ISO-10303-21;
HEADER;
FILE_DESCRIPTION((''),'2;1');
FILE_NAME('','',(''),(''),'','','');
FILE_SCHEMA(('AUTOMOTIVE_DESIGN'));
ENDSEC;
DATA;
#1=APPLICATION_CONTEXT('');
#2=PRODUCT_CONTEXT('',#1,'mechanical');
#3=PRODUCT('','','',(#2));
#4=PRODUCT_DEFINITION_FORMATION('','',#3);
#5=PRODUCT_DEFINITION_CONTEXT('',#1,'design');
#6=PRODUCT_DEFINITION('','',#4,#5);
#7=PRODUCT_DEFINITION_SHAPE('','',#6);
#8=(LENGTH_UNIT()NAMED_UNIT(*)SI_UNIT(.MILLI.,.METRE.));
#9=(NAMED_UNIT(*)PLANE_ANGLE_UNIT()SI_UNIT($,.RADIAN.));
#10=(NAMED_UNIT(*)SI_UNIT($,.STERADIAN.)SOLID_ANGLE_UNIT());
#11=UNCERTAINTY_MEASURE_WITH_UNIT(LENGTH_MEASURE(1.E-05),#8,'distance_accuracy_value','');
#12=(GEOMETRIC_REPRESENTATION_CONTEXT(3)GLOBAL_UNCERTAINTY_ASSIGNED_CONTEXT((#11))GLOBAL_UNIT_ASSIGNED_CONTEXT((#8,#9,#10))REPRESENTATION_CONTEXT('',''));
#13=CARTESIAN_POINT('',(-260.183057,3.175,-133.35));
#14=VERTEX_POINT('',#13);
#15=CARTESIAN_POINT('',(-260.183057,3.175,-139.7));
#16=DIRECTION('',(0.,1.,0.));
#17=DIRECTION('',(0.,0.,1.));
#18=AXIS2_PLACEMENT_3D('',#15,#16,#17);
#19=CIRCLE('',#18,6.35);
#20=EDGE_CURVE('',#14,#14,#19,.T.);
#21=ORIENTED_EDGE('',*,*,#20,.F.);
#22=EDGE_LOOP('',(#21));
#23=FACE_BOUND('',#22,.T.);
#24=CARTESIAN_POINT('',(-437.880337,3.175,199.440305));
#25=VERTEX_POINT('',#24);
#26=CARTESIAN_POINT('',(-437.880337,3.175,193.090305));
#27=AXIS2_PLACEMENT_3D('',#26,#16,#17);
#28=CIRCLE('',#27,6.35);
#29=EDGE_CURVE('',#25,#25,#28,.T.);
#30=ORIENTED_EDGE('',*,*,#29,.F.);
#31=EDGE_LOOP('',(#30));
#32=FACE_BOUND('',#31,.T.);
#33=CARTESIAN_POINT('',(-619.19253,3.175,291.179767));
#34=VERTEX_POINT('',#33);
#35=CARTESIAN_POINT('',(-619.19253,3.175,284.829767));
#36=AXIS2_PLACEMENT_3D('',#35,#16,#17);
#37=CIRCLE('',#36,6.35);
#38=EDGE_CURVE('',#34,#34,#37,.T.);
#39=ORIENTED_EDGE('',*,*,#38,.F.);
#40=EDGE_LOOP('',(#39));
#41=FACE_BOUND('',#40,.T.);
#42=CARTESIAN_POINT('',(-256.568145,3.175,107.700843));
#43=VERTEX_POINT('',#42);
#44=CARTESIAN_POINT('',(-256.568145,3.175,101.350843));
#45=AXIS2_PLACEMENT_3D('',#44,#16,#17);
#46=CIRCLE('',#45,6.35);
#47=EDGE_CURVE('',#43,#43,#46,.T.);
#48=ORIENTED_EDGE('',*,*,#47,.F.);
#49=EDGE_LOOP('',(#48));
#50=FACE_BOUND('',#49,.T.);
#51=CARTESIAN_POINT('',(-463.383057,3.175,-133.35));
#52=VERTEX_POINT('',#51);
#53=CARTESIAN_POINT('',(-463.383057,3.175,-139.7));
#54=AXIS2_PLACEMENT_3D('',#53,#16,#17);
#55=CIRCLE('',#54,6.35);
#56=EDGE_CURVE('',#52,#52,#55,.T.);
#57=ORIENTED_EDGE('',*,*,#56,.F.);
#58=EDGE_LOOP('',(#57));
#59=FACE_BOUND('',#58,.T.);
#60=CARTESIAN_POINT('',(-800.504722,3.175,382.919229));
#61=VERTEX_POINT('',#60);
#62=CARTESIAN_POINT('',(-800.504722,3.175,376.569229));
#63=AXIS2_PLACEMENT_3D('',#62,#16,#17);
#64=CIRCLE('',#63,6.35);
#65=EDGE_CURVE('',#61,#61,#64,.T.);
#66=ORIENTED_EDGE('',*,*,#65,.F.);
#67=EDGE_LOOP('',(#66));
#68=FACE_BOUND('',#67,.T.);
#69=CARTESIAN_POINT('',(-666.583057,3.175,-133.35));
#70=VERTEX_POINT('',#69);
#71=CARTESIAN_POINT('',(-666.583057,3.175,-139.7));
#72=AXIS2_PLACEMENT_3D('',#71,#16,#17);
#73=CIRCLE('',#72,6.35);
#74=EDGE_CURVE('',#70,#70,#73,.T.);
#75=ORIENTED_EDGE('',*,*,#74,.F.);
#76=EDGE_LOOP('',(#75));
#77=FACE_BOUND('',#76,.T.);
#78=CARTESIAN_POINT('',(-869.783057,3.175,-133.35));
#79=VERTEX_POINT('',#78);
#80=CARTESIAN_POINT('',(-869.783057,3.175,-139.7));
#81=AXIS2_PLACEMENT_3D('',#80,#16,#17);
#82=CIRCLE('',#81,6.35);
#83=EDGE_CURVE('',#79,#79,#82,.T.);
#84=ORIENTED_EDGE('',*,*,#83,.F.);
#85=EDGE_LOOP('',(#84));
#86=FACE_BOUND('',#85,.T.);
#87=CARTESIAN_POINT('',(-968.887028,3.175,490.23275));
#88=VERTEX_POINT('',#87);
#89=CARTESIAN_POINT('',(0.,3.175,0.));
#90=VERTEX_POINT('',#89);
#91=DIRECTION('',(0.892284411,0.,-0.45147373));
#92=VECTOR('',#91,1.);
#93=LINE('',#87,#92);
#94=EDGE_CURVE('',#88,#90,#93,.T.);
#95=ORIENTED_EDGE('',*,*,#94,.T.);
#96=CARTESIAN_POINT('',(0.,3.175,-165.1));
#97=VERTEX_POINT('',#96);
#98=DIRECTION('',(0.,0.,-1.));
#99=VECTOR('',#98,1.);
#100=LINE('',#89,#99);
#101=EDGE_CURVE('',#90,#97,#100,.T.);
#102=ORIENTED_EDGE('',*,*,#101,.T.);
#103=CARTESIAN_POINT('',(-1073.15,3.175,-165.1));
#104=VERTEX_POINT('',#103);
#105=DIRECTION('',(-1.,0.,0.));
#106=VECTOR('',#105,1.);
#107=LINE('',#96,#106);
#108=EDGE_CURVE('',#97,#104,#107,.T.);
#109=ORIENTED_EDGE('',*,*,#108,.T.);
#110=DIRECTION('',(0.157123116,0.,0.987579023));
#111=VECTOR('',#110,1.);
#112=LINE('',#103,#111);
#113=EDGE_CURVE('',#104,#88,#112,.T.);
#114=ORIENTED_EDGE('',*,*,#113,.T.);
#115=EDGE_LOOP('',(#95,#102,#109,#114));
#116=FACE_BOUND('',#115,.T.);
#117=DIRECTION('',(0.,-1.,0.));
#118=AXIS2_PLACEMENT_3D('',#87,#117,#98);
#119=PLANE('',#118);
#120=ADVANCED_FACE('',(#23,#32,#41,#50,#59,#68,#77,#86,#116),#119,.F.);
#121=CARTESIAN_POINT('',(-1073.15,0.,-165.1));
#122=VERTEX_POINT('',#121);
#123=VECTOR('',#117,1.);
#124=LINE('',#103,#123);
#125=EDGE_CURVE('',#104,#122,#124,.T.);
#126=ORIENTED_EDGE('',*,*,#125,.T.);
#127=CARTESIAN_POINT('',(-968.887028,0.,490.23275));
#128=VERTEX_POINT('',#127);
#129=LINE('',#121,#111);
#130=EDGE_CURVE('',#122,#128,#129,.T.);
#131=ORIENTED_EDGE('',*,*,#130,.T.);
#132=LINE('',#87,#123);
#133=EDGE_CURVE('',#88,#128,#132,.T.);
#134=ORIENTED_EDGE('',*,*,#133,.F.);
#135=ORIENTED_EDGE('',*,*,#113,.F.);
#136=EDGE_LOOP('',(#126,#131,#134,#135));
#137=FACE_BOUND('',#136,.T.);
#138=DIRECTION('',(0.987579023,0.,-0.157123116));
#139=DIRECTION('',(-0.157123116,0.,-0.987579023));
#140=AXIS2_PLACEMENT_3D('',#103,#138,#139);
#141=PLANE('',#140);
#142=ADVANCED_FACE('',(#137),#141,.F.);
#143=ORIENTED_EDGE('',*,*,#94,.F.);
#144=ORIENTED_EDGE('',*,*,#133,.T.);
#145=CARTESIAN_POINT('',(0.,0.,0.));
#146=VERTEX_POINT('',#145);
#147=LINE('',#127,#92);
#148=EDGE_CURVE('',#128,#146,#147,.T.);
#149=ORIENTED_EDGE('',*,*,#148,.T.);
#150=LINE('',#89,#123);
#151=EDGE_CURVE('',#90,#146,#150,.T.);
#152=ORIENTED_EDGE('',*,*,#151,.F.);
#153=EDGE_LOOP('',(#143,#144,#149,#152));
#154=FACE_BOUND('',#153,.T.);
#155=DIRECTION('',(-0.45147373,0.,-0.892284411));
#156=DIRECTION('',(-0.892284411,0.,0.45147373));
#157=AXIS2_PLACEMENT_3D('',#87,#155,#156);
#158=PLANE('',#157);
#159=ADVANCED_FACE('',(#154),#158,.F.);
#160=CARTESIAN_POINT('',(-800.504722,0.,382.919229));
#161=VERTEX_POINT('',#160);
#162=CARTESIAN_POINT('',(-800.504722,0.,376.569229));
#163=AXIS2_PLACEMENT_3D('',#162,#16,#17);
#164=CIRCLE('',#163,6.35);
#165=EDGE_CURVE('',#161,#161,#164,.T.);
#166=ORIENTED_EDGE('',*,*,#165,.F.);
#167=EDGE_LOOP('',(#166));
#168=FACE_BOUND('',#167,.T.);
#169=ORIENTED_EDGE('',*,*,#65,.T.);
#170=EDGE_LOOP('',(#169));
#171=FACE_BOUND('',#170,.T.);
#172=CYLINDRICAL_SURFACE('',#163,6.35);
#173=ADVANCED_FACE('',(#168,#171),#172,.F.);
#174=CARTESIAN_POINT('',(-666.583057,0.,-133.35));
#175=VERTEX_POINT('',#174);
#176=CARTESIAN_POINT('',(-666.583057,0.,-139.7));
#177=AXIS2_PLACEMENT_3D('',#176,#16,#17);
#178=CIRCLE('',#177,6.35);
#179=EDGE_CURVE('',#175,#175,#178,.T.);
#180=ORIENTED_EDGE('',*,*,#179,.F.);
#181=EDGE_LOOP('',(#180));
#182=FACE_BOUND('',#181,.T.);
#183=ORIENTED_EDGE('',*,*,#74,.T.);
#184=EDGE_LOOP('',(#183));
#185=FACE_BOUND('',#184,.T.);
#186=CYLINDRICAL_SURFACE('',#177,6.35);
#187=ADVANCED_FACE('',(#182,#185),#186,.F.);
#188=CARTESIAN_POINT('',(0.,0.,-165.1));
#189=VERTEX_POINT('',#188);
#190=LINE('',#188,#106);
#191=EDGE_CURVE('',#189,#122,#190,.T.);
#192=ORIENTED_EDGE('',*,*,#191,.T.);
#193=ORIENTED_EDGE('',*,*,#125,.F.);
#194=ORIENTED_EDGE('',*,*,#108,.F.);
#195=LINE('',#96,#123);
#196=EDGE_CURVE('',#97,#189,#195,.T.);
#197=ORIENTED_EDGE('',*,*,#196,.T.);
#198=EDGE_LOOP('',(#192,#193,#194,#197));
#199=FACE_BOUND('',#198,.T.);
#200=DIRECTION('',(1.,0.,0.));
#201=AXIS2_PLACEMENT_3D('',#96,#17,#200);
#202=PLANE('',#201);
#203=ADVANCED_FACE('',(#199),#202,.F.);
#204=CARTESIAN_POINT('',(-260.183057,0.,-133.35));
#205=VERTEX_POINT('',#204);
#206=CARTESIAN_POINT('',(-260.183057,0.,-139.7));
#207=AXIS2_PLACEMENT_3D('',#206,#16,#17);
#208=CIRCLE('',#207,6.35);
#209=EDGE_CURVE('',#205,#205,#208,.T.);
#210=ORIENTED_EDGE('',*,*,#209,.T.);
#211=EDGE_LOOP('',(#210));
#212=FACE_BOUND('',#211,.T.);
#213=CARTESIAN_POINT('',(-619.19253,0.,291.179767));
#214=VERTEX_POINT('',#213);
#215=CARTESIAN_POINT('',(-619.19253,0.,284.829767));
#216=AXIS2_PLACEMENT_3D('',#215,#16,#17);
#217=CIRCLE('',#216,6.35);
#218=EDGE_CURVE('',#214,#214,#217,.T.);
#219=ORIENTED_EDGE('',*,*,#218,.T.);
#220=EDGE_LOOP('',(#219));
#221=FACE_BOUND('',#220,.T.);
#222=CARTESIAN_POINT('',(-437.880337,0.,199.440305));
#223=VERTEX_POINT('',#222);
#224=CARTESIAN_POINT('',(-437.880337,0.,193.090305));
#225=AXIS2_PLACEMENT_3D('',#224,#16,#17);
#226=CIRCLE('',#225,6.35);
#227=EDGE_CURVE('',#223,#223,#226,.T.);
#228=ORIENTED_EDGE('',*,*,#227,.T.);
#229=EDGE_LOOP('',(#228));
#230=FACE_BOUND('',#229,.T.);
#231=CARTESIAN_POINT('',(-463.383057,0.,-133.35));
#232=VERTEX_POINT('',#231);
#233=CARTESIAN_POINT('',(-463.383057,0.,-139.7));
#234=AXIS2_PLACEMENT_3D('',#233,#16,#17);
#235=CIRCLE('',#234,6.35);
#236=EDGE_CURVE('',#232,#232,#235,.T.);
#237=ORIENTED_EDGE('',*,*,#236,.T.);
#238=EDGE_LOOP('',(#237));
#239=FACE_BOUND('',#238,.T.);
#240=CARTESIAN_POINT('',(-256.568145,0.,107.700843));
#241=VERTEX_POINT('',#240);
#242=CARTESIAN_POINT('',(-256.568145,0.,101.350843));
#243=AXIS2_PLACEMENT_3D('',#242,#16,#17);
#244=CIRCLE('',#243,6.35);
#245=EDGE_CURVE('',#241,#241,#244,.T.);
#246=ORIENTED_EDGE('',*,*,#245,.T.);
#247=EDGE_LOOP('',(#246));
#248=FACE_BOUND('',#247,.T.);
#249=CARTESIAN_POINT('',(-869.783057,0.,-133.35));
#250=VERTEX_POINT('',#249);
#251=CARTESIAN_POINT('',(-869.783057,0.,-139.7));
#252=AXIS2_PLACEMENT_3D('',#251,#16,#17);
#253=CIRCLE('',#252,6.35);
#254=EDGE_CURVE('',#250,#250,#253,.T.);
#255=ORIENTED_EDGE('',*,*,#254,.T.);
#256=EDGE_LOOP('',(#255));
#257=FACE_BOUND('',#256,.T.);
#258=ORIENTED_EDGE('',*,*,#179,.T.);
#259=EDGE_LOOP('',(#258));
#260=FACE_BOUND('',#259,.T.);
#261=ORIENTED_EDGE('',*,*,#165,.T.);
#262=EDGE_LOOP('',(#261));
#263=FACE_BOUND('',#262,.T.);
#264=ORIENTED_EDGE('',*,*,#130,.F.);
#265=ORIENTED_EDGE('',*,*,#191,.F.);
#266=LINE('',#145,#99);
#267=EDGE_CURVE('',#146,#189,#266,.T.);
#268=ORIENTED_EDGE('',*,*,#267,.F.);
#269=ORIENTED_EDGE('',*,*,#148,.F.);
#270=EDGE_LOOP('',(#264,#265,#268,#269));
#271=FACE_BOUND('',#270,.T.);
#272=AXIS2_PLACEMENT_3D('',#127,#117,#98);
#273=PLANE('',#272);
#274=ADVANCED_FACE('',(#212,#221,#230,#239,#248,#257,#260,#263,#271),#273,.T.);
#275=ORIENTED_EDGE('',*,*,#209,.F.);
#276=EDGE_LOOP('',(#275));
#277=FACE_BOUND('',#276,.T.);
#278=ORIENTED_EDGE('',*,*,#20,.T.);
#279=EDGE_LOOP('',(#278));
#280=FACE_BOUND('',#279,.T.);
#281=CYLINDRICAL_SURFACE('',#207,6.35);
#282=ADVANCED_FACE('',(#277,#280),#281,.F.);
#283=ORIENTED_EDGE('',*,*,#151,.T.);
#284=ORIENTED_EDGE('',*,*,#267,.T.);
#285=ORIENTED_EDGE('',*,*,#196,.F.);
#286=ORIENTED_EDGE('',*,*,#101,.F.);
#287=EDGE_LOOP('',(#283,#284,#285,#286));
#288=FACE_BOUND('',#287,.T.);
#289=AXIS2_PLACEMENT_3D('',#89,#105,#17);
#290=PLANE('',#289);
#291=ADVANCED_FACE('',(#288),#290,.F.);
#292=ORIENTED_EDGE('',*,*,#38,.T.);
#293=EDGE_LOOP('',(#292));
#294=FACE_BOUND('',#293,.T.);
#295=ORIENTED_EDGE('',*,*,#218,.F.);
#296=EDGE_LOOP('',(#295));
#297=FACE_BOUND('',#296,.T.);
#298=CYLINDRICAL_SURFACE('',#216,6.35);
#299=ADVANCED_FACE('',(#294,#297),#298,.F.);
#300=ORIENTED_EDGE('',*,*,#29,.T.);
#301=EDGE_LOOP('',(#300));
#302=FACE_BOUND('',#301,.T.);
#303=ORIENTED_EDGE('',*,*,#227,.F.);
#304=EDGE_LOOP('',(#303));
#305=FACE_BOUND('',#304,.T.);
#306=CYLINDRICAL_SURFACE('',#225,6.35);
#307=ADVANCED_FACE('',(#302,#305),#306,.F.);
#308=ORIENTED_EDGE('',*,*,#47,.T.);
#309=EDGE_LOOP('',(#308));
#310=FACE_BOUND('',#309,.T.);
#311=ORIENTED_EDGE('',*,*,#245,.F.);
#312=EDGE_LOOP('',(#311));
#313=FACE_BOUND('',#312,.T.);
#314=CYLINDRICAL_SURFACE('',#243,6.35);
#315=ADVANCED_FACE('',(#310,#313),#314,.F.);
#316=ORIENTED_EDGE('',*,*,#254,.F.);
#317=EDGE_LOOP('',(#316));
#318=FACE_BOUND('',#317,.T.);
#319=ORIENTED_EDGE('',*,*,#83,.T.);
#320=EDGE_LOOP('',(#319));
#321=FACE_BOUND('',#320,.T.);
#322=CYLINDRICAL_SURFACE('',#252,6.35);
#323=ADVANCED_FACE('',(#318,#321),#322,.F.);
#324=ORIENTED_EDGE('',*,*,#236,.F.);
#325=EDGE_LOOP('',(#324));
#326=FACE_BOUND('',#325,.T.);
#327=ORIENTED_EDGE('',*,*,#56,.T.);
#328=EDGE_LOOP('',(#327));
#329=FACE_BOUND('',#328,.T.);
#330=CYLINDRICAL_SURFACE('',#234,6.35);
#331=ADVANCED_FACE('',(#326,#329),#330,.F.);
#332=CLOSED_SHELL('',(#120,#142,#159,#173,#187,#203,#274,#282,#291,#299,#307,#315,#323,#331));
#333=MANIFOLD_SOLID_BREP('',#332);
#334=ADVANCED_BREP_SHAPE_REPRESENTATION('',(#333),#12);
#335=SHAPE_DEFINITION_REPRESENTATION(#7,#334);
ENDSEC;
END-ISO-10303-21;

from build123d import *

# Parameters (mm, degrees)
BOSS_EXTRUDE1_DEPTH = 3.175
SKETCH3_R           = 6.35
CUT_EXTRUDE1_DEPTH  = 4.175


with BuildPart() as part:
    # Sketch1 → Boss-Extrude1 (new body)
    with BuildSketch(Plane(origin=(0, 0, 0), x_dir=(1, 0, 0), z_dir=(0, 1, 0))):
        Polygon((0, 0), (0, 165.1), (-1073.15, 165.1), (-968.887028118, -490.232750074), align=None)
    extrude(amount=BOSS_EXTRUDE1_DEPTH)

    # Sketch3 → Cut-Extrude1 (cut, through all)
    with BuildSketch(Plane(origin=(0, 3.175, 0), x_dir=(1, 0, 0), z_dir=(0, 1, 0))):
        with Locations((-869.783056686, 139.7)):
            Circle(SKETCH3_R)
        with Locations((-666.583056686, 139.7)):
            Circle(SKETCH3_R)
        with Locations((-463.383056686, 139.7)):
            Circle(SKETCH3_R)
        with Locations((-260.183056686, 139.7)):
            Circle(SKETCH3_R)
        with Locations((-800.504721955, -376.569229128)):
            Circle(SKETCH3_R)
        with Locations((-619.192529558, -284.829767126)):
            Circle(SKETCH3_R)
        with Locations((-437.880337162, -193.090305124)):
            Circle(SKETCH3_R)
        with Locations((-256.568144766, -101.350843122)):
            Circle(SKETCH3_R)
    extrude(amount=-CUT_EXTRUDE1_DEPTH, mode=Mode.SUBTRACT)


solid = part.part
